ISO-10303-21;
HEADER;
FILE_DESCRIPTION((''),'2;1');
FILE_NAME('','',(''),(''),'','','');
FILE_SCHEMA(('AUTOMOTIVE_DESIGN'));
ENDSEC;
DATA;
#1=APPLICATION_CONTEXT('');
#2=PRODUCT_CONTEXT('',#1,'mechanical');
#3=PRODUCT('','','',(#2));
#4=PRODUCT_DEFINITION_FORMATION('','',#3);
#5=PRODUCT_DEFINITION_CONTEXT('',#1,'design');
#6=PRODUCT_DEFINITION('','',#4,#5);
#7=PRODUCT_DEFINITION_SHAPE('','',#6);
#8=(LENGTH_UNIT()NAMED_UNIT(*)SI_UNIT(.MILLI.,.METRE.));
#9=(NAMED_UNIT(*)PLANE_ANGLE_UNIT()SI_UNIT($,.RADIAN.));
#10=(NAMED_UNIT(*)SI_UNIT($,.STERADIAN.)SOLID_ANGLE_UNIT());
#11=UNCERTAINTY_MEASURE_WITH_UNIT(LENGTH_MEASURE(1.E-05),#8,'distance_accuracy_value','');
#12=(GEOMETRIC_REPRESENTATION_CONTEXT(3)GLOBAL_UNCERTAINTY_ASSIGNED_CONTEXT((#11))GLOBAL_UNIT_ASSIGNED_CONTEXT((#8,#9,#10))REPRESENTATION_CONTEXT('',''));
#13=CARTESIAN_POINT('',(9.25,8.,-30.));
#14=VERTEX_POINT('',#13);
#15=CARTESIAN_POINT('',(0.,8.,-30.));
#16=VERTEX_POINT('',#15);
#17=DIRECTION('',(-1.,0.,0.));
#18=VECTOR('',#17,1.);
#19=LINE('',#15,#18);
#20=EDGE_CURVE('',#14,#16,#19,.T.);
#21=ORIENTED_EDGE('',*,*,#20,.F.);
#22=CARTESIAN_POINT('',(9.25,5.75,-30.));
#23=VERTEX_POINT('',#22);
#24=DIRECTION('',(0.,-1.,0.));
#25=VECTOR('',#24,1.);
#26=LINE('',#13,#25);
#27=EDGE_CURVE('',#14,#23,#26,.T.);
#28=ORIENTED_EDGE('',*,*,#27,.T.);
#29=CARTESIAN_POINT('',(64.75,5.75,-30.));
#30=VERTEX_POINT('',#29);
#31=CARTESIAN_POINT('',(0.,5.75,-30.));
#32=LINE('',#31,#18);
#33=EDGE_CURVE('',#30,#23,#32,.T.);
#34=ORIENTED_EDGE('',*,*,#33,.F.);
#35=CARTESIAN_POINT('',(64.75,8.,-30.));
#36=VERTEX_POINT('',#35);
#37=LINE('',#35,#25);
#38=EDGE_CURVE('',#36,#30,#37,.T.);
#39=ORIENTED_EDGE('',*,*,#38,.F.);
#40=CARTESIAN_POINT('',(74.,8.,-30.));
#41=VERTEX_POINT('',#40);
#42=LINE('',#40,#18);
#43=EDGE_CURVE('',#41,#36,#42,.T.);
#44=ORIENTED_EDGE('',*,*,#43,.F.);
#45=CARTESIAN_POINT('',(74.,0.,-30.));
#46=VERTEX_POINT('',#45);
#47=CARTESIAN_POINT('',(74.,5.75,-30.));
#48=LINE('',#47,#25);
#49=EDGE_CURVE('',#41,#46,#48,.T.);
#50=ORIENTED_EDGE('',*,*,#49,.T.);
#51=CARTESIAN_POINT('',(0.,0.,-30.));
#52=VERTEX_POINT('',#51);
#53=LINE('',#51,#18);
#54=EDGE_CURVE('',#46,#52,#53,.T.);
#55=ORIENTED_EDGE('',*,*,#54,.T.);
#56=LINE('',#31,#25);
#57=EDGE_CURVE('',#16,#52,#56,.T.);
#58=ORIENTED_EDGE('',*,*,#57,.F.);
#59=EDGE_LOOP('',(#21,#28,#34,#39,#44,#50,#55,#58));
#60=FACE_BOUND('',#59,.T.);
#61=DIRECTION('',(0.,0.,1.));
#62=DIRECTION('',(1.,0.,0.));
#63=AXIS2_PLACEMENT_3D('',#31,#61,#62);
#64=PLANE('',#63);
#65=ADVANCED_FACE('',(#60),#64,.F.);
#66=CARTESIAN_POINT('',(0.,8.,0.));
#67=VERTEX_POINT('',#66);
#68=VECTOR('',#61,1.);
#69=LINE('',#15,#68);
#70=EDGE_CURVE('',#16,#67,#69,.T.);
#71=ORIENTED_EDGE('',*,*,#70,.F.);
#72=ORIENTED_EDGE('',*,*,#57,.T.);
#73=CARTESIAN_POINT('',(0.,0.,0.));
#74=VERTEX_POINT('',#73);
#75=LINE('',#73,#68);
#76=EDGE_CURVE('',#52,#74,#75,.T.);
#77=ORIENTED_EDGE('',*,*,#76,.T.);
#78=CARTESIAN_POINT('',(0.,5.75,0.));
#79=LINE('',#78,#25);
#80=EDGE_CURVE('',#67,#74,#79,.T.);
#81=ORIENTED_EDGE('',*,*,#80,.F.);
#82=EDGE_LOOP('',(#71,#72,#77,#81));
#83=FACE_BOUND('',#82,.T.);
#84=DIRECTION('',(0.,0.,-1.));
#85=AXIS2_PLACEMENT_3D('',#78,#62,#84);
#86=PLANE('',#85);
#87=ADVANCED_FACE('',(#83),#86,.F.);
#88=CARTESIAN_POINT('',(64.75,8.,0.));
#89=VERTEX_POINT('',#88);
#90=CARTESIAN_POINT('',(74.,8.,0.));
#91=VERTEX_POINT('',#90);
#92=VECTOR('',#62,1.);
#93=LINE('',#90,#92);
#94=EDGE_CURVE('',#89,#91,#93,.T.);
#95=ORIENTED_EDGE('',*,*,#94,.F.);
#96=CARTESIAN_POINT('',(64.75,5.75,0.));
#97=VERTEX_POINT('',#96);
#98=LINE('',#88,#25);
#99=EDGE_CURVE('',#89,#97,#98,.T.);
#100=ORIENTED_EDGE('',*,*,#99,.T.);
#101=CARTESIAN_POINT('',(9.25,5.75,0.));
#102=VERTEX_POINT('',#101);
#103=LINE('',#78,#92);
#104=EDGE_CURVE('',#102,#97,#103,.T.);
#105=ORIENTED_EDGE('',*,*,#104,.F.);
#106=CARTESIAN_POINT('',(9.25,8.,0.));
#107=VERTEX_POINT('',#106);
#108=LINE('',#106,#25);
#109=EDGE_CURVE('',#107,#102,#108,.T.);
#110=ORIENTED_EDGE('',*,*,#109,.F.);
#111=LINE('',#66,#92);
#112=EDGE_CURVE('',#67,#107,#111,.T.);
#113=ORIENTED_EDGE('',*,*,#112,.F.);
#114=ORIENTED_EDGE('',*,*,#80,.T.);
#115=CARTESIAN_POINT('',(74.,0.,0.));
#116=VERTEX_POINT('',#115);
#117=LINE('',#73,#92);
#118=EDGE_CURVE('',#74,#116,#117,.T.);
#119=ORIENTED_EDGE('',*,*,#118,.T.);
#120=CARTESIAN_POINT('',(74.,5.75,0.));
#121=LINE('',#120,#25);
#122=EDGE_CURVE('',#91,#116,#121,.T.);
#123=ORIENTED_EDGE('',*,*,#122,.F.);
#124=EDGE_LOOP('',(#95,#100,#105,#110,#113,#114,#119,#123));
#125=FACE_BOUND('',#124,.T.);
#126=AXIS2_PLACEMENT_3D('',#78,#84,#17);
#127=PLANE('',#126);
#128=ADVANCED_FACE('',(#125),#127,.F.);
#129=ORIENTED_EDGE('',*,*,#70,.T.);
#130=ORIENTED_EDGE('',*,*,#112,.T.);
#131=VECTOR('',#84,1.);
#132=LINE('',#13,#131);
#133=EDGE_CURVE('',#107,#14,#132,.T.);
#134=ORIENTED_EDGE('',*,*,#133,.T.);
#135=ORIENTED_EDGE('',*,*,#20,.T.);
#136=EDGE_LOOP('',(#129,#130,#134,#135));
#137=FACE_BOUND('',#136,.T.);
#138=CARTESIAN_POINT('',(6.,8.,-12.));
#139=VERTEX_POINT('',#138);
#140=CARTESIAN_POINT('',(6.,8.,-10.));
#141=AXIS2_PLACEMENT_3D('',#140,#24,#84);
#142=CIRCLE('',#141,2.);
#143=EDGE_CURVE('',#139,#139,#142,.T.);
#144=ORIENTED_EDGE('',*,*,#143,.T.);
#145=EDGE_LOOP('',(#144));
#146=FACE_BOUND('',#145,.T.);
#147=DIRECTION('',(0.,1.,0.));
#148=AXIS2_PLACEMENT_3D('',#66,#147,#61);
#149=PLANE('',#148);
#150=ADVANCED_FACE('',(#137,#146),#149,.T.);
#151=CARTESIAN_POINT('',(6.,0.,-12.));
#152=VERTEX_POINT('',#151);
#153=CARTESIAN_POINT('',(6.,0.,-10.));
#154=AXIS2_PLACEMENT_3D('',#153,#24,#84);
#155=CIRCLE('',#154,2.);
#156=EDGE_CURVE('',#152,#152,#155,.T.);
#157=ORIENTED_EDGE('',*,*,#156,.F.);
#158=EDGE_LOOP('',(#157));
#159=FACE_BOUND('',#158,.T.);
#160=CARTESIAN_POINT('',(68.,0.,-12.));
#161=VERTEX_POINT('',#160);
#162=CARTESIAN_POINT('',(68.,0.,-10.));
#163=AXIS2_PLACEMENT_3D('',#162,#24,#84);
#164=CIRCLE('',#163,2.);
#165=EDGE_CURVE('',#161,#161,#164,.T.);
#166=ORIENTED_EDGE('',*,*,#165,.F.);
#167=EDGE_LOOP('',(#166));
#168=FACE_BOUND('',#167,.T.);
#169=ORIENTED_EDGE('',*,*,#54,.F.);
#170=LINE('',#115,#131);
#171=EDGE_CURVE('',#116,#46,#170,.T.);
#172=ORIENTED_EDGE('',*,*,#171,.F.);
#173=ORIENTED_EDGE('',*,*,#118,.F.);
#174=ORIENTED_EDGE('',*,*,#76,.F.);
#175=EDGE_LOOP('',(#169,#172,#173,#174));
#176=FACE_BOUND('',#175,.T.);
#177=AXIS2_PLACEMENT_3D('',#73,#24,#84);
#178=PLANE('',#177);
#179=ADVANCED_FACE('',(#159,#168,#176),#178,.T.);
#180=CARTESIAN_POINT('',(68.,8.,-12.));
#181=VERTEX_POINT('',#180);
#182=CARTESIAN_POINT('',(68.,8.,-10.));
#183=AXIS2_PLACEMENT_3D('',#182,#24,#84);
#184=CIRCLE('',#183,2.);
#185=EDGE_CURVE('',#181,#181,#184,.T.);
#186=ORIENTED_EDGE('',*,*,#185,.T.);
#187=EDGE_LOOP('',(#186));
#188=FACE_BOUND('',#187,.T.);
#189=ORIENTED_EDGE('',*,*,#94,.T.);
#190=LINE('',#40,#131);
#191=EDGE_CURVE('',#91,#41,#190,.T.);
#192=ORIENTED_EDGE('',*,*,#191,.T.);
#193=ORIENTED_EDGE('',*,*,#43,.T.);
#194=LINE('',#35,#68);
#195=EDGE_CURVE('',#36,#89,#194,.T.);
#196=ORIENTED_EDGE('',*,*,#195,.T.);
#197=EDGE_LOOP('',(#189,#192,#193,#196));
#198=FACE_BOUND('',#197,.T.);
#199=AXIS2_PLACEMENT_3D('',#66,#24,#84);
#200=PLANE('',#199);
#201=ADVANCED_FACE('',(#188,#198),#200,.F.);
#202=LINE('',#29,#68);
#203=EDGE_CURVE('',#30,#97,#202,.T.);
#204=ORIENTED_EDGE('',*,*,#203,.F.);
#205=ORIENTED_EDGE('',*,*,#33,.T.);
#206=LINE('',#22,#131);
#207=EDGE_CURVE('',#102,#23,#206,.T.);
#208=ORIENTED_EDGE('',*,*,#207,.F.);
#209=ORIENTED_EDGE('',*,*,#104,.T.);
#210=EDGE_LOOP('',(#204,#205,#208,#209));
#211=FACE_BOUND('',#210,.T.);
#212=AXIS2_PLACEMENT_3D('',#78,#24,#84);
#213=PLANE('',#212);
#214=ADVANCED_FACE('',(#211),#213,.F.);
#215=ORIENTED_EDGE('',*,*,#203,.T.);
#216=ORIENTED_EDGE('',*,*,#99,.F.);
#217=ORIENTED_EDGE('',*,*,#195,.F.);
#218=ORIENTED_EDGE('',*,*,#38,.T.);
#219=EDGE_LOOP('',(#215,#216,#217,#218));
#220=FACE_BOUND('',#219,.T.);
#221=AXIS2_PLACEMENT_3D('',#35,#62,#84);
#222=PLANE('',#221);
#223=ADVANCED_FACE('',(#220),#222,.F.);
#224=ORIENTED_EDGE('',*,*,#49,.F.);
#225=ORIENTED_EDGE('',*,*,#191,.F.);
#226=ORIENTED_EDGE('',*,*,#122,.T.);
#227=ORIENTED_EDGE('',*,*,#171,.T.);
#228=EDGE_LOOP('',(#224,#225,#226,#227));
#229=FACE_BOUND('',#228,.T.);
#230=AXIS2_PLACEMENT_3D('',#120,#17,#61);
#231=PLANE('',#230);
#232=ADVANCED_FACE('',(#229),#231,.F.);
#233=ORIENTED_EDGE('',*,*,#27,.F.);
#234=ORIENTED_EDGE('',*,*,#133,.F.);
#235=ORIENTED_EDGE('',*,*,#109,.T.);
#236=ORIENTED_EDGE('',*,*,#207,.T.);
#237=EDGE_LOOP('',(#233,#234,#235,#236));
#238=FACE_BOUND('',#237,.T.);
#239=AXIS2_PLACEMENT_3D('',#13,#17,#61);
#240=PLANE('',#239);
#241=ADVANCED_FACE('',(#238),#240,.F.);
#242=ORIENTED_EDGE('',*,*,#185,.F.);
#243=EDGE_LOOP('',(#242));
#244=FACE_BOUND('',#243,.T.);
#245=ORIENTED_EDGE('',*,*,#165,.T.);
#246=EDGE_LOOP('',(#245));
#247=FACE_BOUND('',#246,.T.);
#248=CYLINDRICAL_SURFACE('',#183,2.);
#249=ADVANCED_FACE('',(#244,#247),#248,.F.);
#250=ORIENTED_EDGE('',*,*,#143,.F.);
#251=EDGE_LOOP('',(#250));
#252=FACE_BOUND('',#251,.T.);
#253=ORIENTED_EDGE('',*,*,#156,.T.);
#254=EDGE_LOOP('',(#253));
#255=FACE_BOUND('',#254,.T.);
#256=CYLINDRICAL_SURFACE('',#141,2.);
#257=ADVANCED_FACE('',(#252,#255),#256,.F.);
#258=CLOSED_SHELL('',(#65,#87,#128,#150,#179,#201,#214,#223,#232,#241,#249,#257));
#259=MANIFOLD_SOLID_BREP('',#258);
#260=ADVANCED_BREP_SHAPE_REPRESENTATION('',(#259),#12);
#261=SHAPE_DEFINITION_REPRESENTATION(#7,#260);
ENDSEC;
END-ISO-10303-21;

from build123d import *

# Parameters (mm, degrees)
SKETCH1_W           = 74
SKETCH1_H           = 30
BOSS_EXTRUDE1_DEPTH = 5.75
SKETCH2_W           = 9.25
SKETCH2_H           = 30
BOSS_EXTRUDE2_DEPTH = 2.25
SKETCH3_R           = 2
CUT_EXTRUDE1_DEPTH  = 9


with BuildPart() as part:
    # Sketch1 → Boss-Extrude1 (new body)
    with BuildSketch(Plane(origin=(0, 0, 0), x_dir=(1, 0, 0), z_dir=(0, 1, 0))):
        with Locations((37, 15)):
            Rectangle(SKETCH1_W, SKETCH1_H)
    extrude(amount=BOSS_EXTRUDE1_DEPTH)

    # Sketch2 → Boss-Extrude2 (add)
    with BuildSketch(Plane(origin=(0, 5.75, 0), x_dir=(1, 0, 0), z_dir=(0, 1, 0))):
        with Locations((4.625, 15)):
            Rectangle(SKETCH2_W, SKETCH2_H)
        with Locations((69.375, 15)):
            Rectangle(SKETCH2_W, SKETCH2_H)
    extrude(amount=BOSS_EXTRUDE2_DEPTH)

    # Sketch3 → Cut-Extrude1 (cut, through all)
    with BuildSketch(Plane(origin=(0, 0, 0), x_dir=(-1, 0, 0), z_dir=(0, -1, 0))):
        with Locations((-68, 10)):
            Circle(SKETCH3_R)
        with Locations((-6, 10)):
            Circle(SKETCH3_R)
    extrude(amount=-CUT_EXTRUDE1_DEPTH, mode=Mode.SUBTRACT)


solid = part.part
